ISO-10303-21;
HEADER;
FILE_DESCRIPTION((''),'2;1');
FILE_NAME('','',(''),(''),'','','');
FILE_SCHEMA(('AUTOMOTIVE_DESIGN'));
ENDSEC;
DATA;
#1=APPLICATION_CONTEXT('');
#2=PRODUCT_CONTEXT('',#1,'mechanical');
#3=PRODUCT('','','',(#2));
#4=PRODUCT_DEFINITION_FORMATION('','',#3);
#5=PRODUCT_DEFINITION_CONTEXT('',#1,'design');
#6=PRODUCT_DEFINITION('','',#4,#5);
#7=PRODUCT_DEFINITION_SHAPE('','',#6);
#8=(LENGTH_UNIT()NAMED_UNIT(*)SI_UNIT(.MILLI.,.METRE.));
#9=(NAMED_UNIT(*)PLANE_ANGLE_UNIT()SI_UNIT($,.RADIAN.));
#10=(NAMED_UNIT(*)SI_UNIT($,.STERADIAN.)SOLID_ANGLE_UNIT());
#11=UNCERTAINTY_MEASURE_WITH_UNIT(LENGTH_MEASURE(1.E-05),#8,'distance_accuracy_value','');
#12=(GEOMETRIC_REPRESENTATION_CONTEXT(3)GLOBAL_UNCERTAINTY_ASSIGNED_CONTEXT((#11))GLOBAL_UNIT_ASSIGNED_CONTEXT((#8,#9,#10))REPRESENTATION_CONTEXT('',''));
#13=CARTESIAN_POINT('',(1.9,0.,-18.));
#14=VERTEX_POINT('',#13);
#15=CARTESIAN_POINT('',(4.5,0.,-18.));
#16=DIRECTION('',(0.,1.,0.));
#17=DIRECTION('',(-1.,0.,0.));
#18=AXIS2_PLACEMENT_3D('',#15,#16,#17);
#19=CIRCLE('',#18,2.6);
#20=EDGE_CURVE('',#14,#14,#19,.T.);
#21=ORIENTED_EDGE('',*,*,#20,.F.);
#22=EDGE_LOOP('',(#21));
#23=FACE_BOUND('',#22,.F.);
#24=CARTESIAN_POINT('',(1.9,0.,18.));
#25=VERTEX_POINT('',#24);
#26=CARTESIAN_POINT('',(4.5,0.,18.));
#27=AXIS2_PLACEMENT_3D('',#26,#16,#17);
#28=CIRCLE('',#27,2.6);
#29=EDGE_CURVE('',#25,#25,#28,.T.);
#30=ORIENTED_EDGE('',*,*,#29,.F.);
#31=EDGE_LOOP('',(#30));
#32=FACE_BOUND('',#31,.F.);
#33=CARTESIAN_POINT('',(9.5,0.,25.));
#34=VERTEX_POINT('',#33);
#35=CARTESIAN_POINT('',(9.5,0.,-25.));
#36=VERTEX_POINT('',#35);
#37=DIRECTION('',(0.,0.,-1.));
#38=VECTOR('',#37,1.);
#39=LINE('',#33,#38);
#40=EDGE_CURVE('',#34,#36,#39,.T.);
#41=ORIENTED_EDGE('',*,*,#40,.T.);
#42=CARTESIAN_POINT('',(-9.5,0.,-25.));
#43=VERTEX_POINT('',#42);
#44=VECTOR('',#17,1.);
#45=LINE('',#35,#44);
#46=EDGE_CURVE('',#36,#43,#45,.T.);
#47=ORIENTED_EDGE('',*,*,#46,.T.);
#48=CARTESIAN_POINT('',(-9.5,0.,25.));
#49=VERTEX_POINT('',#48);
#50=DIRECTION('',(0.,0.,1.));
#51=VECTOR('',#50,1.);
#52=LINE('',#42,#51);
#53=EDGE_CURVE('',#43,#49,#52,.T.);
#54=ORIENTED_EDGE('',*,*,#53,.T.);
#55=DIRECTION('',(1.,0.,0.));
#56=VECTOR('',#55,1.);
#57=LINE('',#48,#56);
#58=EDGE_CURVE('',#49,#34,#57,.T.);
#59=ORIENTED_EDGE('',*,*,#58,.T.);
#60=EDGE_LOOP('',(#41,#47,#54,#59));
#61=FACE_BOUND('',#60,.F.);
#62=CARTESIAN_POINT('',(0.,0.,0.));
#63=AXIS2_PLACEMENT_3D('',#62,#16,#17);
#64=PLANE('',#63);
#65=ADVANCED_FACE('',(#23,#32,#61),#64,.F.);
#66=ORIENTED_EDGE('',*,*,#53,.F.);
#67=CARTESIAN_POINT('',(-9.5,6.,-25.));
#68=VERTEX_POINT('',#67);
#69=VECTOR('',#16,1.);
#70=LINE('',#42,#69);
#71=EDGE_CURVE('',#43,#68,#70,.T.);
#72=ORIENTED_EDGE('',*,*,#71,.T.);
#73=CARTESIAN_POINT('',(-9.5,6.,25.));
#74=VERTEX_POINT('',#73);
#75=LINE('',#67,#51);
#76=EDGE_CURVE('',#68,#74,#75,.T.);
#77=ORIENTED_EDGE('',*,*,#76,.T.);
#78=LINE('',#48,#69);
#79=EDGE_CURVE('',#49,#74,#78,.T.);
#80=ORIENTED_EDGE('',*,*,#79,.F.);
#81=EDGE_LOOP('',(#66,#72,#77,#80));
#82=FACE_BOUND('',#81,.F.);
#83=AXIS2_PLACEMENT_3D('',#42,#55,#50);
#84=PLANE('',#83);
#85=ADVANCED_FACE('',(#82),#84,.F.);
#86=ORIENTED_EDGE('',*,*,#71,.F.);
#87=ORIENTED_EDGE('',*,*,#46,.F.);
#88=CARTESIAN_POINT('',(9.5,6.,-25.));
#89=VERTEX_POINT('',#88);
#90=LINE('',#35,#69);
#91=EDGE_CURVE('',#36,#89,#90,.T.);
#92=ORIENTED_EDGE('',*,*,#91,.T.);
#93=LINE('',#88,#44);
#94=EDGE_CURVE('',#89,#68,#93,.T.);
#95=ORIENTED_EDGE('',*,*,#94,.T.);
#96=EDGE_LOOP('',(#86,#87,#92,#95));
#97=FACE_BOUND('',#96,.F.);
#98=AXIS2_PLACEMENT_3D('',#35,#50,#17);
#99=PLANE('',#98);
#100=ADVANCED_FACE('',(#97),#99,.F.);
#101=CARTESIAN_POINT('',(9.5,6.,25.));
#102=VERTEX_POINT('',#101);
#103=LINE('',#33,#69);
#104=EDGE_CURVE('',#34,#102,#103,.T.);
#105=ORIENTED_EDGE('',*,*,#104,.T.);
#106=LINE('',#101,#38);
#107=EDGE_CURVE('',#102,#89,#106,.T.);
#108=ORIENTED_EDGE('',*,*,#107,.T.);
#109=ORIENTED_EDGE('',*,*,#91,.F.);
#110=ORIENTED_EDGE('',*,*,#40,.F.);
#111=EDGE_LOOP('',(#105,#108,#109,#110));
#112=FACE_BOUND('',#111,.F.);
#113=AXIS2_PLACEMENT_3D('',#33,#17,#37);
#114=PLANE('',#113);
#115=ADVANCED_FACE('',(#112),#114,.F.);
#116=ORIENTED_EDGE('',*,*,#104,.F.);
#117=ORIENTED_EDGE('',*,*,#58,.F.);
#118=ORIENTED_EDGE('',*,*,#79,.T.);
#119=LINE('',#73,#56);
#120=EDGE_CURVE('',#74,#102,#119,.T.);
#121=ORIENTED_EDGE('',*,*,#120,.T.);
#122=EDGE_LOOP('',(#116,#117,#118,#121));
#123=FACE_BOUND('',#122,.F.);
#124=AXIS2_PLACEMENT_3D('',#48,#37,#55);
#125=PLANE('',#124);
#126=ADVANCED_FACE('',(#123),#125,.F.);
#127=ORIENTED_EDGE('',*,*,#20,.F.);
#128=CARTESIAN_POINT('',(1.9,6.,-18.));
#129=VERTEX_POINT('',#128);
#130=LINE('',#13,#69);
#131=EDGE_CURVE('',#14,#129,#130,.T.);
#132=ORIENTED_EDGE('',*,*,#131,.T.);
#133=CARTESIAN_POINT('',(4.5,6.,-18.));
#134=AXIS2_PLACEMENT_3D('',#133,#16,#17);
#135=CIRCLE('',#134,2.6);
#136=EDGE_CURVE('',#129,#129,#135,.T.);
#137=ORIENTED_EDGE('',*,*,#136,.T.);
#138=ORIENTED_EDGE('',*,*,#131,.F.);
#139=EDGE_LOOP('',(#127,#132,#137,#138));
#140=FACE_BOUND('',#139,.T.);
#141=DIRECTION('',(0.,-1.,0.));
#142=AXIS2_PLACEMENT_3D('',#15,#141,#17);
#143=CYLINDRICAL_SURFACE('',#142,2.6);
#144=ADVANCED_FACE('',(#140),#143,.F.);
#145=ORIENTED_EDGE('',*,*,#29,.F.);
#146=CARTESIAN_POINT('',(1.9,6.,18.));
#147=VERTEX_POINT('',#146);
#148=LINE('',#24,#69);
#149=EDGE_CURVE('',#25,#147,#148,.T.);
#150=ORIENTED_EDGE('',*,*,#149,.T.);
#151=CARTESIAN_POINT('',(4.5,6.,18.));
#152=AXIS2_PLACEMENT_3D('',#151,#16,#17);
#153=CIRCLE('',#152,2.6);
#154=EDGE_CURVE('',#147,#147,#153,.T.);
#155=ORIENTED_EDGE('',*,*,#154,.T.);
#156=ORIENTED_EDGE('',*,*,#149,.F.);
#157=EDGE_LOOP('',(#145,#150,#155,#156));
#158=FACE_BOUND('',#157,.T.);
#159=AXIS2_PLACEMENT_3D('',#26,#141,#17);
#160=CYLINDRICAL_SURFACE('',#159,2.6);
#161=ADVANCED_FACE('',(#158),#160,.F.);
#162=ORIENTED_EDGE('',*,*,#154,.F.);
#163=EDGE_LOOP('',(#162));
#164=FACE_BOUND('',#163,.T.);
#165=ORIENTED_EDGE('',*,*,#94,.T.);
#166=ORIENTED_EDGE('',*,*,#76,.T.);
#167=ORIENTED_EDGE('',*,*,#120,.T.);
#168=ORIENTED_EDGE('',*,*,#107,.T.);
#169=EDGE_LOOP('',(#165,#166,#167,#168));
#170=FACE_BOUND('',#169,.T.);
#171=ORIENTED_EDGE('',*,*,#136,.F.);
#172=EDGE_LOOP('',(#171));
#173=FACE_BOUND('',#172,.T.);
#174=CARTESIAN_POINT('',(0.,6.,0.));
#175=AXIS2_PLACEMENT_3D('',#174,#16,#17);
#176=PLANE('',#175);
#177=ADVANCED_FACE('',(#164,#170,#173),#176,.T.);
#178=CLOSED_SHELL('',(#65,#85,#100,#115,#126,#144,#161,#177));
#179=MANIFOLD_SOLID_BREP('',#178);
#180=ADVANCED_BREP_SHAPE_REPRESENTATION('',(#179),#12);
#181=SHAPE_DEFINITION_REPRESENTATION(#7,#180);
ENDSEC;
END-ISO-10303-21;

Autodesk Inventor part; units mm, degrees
ref_plane "YZ Plane" through (0, 0, 0) normal (1, 0, 0) x (0, 1, 0)
ref_plane "XZ Plane" through (0, 0, 0) normal (0, 1, 0) x (-1, 0, 0)
ref_plane "XY Plane" through (0, 0, 0) normal (0, 0, 1) x (1, 0, 0)
sketch "Sketch1" plane through (0, 0, 0) normal (0, 1, 0) x (-1, 0, 0)
  line L0 (9.5, 25) -> (-9.5, 25)
  line L1 (-9.5, 25) -> (-9.5, -25)
  line L2 (-9.5, -25) -> (9.5, -25)
  line L3 (9.5, -25) -> (9.5, 25)
  line L4 (9.5, 25) -> (-9.5, -25) construction
  line L5 (-9.5, 25) -> (9.5, -25) construction
  circle A0 centre (-4.5, -18) radius 2.6
  circle A1 centre (-4.5, 18) radius 2.6
  point P0 (0, 0)
  dimension "d0" = 50
  dimension "d1" = 19
  dimension "d2" = 5.2
  dimension "d3" = 5.2
  dimension "d4" = 36
  dimension "d5" = 5
  dimension "d6" = 18
extrude "Extrusion1" add sketch "Sketch1" along normal blind 6
properties part number "Fuhrungschiene(n)"
